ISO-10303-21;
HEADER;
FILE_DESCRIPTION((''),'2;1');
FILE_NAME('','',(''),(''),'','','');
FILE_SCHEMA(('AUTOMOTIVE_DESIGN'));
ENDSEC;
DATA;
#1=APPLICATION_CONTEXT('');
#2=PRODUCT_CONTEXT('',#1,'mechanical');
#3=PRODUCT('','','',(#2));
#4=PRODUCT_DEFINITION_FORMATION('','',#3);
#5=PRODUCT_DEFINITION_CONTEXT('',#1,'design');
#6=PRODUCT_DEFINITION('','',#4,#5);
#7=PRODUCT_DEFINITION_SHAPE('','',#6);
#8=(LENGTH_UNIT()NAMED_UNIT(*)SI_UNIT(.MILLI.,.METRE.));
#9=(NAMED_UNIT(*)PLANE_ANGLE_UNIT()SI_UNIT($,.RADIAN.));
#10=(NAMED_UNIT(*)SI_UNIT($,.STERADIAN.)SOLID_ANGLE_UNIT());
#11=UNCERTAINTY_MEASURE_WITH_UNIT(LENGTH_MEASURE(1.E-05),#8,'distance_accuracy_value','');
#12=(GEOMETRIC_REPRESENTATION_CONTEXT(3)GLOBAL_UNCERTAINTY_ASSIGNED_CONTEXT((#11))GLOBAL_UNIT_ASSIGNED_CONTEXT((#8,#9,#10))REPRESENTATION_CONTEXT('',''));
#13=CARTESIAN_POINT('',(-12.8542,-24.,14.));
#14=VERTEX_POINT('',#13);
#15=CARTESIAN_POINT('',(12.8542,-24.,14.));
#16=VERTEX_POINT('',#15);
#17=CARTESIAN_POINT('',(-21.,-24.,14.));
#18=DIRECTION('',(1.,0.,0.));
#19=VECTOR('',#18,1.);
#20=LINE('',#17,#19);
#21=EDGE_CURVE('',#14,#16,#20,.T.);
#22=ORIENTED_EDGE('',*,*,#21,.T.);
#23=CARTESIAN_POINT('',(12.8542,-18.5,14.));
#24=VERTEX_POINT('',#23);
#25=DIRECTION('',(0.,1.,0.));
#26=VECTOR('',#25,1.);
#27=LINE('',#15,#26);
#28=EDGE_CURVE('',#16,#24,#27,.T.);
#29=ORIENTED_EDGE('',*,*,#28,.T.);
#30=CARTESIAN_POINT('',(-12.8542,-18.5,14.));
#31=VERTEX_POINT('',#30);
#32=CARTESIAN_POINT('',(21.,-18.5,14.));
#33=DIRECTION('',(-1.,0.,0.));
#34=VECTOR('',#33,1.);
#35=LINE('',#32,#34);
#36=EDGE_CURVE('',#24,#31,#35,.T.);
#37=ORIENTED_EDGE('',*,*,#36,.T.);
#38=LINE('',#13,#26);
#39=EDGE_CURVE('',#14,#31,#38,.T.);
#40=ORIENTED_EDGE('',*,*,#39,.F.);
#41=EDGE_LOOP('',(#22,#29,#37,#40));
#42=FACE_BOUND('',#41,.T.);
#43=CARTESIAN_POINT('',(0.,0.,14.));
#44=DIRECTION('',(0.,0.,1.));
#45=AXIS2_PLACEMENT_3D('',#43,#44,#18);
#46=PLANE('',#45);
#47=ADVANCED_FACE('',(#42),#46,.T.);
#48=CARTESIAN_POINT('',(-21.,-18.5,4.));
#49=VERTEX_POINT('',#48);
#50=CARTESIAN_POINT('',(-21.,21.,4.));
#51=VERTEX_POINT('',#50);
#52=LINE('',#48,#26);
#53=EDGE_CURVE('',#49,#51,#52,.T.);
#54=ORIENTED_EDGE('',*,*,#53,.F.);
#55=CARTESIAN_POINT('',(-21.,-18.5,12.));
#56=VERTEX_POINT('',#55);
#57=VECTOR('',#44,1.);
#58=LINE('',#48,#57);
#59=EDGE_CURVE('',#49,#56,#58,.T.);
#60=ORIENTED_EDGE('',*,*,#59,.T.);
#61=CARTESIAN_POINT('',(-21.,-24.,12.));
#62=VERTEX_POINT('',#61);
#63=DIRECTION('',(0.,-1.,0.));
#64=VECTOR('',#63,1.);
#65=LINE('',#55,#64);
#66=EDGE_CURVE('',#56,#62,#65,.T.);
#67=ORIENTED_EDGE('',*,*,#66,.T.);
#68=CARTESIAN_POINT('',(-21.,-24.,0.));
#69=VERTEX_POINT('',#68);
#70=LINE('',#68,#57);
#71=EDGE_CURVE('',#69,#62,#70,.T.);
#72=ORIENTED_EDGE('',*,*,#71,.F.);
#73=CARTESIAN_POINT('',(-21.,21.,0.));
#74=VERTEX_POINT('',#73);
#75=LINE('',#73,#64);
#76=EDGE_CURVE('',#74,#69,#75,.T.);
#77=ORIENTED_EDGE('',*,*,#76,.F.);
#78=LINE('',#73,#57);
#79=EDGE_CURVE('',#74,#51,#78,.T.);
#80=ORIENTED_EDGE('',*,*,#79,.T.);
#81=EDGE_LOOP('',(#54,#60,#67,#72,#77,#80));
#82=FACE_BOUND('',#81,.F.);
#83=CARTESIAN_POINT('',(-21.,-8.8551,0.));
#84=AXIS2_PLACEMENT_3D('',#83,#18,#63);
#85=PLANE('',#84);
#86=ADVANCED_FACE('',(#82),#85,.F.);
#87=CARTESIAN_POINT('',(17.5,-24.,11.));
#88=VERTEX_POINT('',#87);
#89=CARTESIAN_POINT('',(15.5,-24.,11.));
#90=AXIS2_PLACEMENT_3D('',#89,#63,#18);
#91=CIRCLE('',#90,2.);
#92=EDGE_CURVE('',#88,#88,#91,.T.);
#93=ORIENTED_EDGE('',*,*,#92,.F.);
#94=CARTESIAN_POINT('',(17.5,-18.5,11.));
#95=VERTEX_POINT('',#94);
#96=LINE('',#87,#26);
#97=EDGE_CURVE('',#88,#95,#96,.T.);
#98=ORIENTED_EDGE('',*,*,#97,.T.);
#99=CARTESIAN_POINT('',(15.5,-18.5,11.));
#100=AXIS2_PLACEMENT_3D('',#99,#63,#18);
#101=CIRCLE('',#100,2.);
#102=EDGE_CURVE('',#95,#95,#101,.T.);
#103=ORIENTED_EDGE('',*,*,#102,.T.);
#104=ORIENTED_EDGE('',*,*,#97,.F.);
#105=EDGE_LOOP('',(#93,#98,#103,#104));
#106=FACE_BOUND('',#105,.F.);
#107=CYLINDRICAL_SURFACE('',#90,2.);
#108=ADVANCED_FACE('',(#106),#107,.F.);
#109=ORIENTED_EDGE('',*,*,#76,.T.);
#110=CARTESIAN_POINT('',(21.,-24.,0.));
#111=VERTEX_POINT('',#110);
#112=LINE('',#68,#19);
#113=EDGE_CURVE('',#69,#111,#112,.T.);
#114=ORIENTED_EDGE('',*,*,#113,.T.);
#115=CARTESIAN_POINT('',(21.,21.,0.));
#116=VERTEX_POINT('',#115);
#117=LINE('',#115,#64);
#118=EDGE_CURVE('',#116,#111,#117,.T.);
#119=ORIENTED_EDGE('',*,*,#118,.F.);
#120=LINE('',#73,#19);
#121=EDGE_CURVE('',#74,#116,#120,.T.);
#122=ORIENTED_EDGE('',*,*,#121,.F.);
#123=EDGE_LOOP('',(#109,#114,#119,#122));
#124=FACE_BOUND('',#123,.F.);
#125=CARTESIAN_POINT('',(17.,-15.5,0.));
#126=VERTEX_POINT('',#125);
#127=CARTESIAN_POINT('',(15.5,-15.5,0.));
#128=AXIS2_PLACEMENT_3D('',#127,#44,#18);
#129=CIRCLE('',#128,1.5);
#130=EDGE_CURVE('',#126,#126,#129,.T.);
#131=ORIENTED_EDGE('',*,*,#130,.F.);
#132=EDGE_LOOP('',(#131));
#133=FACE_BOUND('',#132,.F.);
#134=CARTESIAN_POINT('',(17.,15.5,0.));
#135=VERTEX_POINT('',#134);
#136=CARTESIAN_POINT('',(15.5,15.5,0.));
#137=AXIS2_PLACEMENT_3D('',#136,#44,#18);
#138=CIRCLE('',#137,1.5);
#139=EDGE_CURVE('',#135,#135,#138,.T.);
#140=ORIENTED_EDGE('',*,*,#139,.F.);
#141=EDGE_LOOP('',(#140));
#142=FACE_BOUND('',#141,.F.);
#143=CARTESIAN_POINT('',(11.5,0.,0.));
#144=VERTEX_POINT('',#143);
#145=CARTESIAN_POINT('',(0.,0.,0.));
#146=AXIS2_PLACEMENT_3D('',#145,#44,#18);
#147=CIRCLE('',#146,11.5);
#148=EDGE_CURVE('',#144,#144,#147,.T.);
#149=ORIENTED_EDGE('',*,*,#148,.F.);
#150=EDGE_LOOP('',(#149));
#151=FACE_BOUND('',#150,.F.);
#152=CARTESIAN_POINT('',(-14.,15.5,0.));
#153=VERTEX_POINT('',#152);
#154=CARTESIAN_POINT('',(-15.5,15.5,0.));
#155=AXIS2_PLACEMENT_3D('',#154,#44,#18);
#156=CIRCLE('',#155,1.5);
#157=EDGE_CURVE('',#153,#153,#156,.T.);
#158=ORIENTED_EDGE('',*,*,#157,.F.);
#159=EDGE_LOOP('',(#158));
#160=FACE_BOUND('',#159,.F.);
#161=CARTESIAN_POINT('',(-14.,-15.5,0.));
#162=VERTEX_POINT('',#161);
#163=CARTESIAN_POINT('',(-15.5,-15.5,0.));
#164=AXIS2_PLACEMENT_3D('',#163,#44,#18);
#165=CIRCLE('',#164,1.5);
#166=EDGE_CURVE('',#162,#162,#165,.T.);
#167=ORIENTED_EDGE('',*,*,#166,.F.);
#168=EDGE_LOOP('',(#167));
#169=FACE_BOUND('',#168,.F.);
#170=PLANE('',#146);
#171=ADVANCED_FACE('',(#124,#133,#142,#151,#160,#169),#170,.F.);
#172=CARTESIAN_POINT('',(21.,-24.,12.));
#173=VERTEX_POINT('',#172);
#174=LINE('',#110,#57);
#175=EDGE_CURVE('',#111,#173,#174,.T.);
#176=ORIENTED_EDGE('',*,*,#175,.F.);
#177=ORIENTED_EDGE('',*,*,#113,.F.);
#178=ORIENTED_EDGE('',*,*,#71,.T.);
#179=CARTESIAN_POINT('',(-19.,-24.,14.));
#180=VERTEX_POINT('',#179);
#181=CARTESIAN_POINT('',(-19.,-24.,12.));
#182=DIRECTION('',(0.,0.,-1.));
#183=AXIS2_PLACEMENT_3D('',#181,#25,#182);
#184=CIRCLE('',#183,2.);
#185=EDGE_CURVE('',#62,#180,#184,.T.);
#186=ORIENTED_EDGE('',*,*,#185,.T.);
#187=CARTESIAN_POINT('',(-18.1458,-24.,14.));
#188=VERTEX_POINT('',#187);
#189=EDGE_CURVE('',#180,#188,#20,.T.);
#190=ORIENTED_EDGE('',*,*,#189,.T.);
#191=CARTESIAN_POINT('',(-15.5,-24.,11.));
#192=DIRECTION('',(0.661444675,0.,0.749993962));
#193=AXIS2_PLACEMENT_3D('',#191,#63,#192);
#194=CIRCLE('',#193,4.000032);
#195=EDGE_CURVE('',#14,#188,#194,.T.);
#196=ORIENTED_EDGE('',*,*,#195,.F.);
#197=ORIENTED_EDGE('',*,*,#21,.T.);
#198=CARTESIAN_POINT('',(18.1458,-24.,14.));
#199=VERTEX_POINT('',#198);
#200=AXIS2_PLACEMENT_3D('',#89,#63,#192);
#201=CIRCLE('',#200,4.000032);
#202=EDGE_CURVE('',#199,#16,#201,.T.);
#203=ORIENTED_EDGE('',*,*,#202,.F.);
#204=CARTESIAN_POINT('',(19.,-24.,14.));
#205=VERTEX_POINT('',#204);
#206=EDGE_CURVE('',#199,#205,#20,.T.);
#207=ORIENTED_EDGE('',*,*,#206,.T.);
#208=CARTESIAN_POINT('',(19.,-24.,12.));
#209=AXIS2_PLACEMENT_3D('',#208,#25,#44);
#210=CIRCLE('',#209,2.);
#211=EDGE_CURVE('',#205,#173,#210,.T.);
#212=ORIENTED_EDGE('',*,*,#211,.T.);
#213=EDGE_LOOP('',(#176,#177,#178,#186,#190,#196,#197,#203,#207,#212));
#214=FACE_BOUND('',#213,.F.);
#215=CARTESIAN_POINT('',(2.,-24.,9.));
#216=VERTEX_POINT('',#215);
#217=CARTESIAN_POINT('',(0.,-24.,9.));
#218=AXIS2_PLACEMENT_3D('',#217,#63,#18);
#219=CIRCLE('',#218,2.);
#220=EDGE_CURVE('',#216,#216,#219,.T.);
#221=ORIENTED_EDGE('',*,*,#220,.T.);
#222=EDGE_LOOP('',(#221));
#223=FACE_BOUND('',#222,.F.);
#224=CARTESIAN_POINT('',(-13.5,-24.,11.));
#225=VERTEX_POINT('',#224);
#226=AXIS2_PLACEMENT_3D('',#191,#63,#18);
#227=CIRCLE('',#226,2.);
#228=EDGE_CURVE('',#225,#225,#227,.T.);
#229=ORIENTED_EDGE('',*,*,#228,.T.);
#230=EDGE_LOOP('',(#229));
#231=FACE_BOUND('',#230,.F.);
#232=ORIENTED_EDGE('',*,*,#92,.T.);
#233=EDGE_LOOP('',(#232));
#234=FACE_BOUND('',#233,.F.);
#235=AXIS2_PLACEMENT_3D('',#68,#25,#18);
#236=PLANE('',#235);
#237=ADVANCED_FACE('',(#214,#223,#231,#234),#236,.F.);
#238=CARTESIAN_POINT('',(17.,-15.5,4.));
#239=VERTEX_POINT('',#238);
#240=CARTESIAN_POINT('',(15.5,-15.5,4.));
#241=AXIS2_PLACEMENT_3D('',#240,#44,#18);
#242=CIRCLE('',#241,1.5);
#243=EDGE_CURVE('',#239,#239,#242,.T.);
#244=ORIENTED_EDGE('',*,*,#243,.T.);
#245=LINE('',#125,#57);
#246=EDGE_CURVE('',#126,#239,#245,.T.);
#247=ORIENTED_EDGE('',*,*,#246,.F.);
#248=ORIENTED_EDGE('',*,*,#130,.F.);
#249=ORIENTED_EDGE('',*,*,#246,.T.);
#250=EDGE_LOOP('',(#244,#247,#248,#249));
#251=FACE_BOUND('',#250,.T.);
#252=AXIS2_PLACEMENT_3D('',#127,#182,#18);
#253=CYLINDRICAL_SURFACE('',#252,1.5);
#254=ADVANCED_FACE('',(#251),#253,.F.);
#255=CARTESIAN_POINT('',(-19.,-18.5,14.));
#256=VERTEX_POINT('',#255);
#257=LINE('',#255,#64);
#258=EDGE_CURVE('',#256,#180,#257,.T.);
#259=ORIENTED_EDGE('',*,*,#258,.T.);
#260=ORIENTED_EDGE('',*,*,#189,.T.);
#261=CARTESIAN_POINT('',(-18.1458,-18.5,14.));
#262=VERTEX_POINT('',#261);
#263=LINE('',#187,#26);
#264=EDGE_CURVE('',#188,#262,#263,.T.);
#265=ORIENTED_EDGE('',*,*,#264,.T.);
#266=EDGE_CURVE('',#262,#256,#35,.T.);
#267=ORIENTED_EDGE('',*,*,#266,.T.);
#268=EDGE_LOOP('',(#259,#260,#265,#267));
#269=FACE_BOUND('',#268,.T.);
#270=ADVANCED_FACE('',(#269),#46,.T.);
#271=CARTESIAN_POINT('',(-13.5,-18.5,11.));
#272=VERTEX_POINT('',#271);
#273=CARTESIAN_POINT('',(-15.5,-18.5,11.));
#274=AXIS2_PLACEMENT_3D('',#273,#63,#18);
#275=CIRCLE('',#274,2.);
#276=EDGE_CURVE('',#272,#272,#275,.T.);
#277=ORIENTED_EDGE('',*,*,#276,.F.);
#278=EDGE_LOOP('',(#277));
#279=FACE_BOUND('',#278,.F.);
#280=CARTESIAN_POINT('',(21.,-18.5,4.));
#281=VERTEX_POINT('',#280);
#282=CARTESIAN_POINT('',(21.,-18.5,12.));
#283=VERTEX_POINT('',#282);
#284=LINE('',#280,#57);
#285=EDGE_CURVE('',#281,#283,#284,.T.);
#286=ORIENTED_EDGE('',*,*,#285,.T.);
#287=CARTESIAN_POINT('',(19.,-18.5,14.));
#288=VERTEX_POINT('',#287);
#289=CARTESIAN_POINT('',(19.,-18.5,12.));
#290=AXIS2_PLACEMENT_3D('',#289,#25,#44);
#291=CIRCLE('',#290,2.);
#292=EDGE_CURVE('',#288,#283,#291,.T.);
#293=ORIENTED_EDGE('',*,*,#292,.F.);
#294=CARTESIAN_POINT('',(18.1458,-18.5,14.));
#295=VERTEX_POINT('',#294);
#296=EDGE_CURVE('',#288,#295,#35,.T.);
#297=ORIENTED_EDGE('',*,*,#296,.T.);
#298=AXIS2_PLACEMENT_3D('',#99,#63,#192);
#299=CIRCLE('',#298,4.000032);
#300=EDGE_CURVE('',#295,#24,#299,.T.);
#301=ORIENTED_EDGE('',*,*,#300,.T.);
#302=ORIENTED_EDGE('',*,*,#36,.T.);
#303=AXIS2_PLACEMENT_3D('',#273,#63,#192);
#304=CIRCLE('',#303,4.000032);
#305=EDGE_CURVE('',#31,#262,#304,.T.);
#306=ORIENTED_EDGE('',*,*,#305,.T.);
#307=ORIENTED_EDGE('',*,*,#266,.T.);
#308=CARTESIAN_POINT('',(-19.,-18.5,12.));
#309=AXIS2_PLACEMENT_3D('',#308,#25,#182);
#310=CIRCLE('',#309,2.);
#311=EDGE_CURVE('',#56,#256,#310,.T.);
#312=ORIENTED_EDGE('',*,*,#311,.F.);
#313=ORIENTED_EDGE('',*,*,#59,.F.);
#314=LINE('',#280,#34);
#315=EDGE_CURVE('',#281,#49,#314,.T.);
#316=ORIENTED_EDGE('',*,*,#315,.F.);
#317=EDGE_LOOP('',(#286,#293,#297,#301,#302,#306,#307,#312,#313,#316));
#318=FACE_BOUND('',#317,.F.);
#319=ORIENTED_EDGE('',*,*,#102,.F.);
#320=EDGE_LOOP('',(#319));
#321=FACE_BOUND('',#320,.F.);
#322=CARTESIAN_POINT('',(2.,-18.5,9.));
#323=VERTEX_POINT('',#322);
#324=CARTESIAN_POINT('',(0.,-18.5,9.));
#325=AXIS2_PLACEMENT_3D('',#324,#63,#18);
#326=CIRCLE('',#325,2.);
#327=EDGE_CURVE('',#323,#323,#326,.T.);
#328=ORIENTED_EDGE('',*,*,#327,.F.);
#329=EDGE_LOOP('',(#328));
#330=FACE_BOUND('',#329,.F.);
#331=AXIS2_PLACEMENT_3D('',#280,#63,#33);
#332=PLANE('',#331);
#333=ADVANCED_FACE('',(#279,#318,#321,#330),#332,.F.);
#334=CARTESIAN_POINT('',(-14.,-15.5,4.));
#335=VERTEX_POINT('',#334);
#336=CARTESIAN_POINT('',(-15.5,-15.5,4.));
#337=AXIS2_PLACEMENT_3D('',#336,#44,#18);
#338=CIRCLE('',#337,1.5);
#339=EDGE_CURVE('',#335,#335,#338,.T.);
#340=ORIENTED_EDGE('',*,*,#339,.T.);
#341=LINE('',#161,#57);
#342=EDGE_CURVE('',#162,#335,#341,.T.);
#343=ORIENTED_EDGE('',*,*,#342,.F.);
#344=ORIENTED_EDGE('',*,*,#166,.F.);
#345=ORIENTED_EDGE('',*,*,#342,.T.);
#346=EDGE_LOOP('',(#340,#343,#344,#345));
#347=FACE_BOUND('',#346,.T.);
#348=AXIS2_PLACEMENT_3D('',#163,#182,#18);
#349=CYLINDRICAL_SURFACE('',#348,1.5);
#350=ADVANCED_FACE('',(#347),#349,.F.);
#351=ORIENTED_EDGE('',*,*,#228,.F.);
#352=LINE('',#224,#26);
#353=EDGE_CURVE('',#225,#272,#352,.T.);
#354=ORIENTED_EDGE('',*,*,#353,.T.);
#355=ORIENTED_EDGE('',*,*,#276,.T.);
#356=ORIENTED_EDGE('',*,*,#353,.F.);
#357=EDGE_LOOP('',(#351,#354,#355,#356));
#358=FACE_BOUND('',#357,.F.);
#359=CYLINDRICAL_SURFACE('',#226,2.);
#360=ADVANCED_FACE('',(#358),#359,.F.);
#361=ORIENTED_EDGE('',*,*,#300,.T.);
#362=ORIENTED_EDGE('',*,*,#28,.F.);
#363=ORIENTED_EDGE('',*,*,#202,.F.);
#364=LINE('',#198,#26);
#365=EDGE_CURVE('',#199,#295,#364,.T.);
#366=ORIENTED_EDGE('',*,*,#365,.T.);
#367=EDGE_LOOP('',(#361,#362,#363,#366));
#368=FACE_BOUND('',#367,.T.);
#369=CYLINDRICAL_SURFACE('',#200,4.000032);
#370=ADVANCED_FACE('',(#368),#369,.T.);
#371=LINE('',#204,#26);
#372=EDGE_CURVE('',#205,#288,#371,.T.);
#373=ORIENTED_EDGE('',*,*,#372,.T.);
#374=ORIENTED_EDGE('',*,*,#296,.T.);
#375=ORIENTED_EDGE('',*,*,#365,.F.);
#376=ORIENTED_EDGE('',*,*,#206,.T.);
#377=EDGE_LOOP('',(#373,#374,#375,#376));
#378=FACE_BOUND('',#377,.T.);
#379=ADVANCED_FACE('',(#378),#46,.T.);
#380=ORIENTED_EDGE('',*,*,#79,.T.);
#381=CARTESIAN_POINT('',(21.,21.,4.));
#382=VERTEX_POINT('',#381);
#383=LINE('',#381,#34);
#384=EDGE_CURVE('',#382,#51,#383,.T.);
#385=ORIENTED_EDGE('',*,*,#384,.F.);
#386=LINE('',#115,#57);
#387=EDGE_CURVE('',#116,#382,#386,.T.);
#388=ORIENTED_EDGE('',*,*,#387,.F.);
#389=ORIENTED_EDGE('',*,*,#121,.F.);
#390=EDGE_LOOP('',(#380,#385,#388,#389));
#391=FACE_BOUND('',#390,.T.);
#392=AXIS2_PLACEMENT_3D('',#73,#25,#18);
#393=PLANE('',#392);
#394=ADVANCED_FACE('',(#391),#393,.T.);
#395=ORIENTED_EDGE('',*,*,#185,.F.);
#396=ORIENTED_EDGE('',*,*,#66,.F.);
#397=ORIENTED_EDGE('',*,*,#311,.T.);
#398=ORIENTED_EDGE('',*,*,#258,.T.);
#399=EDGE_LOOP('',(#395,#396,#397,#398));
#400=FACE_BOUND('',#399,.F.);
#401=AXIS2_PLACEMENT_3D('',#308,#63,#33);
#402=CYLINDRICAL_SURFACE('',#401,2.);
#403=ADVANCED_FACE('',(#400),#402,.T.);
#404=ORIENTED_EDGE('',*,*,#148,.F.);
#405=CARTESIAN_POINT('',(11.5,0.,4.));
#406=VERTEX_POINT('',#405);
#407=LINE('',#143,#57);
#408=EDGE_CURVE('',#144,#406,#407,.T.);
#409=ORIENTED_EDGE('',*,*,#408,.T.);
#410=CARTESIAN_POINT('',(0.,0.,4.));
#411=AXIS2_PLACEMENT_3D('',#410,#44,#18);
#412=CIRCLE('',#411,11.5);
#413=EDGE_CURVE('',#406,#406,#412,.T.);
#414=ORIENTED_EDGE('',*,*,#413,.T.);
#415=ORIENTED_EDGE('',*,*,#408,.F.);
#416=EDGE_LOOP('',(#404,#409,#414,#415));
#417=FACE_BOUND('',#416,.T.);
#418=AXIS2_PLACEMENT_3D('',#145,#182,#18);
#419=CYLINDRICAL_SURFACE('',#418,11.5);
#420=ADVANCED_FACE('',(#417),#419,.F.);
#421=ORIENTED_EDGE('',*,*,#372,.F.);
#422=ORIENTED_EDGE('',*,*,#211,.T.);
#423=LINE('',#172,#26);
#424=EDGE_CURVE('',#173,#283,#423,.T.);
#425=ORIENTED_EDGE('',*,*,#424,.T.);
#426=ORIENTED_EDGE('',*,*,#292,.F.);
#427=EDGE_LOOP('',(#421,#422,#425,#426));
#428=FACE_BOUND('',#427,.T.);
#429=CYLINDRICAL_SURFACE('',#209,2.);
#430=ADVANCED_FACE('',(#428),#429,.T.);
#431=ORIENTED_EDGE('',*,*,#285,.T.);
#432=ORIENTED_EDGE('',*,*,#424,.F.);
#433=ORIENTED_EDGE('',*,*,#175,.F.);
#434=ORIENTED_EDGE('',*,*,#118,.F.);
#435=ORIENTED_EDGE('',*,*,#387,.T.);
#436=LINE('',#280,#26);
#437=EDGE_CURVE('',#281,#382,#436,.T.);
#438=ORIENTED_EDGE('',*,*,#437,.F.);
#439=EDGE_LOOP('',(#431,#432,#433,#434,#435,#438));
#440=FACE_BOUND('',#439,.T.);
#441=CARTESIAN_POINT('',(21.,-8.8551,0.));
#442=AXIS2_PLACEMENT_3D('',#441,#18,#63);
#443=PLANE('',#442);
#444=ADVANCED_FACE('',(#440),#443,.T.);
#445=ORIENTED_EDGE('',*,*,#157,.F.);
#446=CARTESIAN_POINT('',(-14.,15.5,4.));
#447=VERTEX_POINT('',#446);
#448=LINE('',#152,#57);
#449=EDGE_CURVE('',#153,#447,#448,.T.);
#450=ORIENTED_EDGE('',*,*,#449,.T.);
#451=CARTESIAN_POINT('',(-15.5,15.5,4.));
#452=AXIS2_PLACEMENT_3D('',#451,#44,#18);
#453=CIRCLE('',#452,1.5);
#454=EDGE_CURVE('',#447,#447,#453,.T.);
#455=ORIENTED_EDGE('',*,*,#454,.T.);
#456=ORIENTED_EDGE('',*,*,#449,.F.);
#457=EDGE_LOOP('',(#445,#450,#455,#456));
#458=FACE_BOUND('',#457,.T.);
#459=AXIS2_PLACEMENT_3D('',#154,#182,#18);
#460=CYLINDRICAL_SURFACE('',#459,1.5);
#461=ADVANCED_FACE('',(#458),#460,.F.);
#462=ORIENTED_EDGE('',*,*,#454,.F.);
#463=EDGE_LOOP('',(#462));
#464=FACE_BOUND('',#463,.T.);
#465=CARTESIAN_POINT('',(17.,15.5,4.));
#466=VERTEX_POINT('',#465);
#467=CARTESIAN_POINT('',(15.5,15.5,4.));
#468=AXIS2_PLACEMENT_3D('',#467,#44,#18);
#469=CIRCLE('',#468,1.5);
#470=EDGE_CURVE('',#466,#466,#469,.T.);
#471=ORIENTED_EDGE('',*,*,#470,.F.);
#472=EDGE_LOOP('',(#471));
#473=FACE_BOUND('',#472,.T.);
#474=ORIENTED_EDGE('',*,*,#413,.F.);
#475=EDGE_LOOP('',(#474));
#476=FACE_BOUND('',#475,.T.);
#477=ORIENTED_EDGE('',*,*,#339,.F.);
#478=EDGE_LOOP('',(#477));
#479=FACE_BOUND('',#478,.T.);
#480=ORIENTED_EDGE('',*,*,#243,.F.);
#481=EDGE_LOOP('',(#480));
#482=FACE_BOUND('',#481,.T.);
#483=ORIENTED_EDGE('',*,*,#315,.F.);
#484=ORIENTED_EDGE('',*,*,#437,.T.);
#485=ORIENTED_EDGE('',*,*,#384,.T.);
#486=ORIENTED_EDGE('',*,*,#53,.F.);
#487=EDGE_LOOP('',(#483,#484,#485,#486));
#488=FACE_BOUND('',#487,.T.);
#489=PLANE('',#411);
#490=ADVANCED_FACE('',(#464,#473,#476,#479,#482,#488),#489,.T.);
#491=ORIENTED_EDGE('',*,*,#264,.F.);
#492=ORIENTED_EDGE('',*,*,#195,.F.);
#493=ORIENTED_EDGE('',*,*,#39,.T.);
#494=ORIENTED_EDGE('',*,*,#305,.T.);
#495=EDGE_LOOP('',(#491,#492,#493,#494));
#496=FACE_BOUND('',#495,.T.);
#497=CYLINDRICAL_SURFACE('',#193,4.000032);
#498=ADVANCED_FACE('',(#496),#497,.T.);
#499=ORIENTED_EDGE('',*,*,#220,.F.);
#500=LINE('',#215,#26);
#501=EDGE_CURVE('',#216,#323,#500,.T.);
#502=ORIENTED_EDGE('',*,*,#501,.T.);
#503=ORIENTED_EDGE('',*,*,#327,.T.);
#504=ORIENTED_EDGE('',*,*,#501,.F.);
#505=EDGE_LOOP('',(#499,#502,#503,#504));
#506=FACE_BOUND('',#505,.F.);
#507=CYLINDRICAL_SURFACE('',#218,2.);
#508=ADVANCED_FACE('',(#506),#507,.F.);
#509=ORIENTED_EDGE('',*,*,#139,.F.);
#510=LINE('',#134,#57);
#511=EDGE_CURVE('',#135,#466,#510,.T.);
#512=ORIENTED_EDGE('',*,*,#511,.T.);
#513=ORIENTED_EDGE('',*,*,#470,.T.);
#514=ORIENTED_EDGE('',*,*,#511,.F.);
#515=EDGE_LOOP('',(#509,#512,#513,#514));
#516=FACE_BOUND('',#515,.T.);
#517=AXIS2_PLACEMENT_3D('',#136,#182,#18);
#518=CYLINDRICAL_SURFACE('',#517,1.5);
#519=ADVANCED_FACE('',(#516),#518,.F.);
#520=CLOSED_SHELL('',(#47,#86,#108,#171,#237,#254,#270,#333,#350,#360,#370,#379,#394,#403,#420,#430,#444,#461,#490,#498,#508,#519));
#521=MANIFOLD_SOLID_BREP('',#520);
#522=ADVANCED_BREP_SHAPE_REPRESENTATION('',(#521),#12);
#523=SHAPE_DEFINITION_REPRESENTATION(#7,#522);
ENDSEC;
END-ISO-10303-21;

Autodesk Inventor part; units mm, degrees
ref_plane "YZ Plane" through (0, 0, 0) normal (1, 0, 0) x (0, 1, 0)
ref_plane "XZ Plane" through (0, 0, 0) normal (0, 1, 0) x (-1, 0, 0)
ref_plane "XY Plane" through (0, 0, 0) normal (0, 0, 1) x (1, 0, 0)
sketch "Sketch1" plane through (0, 0, 0) normal (0, 0, 1) x (1, 0, 0)
  circle A0 centre (0, 0) radius 11.5
  circle A1 centre (-15.5, 15.5) radius 1.5
  circle A2 centre (-15.5, -15.5) radius 1.5
  circle A3 centre (15.5, 15.5) radius 1.5
  circle A4 centre (15.5, -15.5) radius 1.5
  line L0 (-21, -24) -> (21, -24)
  line L1 (0, 20) -> (4.5462, 20) construction
  line L2 (-21, 21) -> (-1, 21)
  line L3 (1, 21) -> (21, 21)
  line L4 (-21, 21) -> (-21, 5.9161)
  line L5 (-21, -5.9161) -> (-21, -24)
  line L6 (21, 21) -> (21, 5.9161)
  line L7 (21, -5.9161) -> (21, -24)
  line L8 (-1.865, 21) -> (1.6498, 21)
  line L9 (-21, 8.451) -> (-21, -8.8551)
  line L10 (21, 10.9387) -> (21, -8.8551)
  dimension "d0" = 23
  dimension "d1" = 3
  dimension "d2" = 3
  dimension "d3" = 24
  dimension "d5" = 8.5
extrude "Extrusion1" add sketch "Sketch1" along normal blind 4
sketch "Sketch2" plane through (0, 0, 4) normal (0, 0, 1) x (1, 0, 0)
  line L0 (-21, -24) -> (21, -24) projected
  line L1 (21, -24) -> (21, 21) projected
  line L2 (-21, -24) -> (21, -24)
  line L3 (21, -24) -> (21, -18.5)
  line L4 (21, -18.5) -> (-21, -18.5)
  line L5 (-21, -18.5) -> (-21, -24)
  dimension "d9" = 5.5
extrude "Extrusion2" add sketch "Sketch2" along normal blind 10
sketch "Sketch3" plane through (-21, -24, 0) normal (0, -1, 0) x (1, 0, 0)
  line L0 (42, 0) -> (42, 14) projected
  line L1 (0, 0) -> (0, 14) projected
  circle A0 centre (5.5, 11) radius 2
  circle A1 centre (36.5, 11) radius 2
  line L2 (0, 4) -> (42, 4) projected
  circle A2 centre (21, 9) radius 2
  line L3 (0, 14) -> (42, 14) projected
  point P0 (21, 0)
  dimension "d12" = 4
  dimension "d13" = 4
  dimension "d16" = 5.5
  dimension "d17" = 5.5
  dimension "d18" = 7
  dimension "d19" = 7
  dimension "d27" = 4
  dimension "d28" = 5
sketch "Sketch4" plane through (-21, -24, 0) normal (0, -1, 0) x (1, 0, 0)
  circle A0 centre (5.5, 11) radius 2 projected
  circle A1 centre (36.5, 11) radius 2 projected
  arc A2 (8.1458, 14) -> (2.8542, 14) centre (5.5, 11) ccw
  arc A3 (39.1458, 14) -> (33.8542, 14) centre (36.5, 11) ccw
  line L0 (42, 14) -> (0, 14) projected
  line L1 (2.8542, 14) -> (8.1458, 14)
  line L2 (33.8542, 14) -> (39.1458, 14)
  point P0 (21, 0)
  dimension "d22" = 8
  dimension "d23" = 8
extrude "Extrusion4" add sketch "Sketch4" against normal blind 5.5 contours L0 A2 | A3 L0
fillet "Fillet1" radius 2 2 edges at (-21, -21.25, 14) (21, -21.25, 14)
extrude "Extrusion5" cut sketch "Sketch3" against normal blind 5.5 contours A0 | A1 | A2
properties part number "StepperMotorPlate" material "PPS Plastic"
